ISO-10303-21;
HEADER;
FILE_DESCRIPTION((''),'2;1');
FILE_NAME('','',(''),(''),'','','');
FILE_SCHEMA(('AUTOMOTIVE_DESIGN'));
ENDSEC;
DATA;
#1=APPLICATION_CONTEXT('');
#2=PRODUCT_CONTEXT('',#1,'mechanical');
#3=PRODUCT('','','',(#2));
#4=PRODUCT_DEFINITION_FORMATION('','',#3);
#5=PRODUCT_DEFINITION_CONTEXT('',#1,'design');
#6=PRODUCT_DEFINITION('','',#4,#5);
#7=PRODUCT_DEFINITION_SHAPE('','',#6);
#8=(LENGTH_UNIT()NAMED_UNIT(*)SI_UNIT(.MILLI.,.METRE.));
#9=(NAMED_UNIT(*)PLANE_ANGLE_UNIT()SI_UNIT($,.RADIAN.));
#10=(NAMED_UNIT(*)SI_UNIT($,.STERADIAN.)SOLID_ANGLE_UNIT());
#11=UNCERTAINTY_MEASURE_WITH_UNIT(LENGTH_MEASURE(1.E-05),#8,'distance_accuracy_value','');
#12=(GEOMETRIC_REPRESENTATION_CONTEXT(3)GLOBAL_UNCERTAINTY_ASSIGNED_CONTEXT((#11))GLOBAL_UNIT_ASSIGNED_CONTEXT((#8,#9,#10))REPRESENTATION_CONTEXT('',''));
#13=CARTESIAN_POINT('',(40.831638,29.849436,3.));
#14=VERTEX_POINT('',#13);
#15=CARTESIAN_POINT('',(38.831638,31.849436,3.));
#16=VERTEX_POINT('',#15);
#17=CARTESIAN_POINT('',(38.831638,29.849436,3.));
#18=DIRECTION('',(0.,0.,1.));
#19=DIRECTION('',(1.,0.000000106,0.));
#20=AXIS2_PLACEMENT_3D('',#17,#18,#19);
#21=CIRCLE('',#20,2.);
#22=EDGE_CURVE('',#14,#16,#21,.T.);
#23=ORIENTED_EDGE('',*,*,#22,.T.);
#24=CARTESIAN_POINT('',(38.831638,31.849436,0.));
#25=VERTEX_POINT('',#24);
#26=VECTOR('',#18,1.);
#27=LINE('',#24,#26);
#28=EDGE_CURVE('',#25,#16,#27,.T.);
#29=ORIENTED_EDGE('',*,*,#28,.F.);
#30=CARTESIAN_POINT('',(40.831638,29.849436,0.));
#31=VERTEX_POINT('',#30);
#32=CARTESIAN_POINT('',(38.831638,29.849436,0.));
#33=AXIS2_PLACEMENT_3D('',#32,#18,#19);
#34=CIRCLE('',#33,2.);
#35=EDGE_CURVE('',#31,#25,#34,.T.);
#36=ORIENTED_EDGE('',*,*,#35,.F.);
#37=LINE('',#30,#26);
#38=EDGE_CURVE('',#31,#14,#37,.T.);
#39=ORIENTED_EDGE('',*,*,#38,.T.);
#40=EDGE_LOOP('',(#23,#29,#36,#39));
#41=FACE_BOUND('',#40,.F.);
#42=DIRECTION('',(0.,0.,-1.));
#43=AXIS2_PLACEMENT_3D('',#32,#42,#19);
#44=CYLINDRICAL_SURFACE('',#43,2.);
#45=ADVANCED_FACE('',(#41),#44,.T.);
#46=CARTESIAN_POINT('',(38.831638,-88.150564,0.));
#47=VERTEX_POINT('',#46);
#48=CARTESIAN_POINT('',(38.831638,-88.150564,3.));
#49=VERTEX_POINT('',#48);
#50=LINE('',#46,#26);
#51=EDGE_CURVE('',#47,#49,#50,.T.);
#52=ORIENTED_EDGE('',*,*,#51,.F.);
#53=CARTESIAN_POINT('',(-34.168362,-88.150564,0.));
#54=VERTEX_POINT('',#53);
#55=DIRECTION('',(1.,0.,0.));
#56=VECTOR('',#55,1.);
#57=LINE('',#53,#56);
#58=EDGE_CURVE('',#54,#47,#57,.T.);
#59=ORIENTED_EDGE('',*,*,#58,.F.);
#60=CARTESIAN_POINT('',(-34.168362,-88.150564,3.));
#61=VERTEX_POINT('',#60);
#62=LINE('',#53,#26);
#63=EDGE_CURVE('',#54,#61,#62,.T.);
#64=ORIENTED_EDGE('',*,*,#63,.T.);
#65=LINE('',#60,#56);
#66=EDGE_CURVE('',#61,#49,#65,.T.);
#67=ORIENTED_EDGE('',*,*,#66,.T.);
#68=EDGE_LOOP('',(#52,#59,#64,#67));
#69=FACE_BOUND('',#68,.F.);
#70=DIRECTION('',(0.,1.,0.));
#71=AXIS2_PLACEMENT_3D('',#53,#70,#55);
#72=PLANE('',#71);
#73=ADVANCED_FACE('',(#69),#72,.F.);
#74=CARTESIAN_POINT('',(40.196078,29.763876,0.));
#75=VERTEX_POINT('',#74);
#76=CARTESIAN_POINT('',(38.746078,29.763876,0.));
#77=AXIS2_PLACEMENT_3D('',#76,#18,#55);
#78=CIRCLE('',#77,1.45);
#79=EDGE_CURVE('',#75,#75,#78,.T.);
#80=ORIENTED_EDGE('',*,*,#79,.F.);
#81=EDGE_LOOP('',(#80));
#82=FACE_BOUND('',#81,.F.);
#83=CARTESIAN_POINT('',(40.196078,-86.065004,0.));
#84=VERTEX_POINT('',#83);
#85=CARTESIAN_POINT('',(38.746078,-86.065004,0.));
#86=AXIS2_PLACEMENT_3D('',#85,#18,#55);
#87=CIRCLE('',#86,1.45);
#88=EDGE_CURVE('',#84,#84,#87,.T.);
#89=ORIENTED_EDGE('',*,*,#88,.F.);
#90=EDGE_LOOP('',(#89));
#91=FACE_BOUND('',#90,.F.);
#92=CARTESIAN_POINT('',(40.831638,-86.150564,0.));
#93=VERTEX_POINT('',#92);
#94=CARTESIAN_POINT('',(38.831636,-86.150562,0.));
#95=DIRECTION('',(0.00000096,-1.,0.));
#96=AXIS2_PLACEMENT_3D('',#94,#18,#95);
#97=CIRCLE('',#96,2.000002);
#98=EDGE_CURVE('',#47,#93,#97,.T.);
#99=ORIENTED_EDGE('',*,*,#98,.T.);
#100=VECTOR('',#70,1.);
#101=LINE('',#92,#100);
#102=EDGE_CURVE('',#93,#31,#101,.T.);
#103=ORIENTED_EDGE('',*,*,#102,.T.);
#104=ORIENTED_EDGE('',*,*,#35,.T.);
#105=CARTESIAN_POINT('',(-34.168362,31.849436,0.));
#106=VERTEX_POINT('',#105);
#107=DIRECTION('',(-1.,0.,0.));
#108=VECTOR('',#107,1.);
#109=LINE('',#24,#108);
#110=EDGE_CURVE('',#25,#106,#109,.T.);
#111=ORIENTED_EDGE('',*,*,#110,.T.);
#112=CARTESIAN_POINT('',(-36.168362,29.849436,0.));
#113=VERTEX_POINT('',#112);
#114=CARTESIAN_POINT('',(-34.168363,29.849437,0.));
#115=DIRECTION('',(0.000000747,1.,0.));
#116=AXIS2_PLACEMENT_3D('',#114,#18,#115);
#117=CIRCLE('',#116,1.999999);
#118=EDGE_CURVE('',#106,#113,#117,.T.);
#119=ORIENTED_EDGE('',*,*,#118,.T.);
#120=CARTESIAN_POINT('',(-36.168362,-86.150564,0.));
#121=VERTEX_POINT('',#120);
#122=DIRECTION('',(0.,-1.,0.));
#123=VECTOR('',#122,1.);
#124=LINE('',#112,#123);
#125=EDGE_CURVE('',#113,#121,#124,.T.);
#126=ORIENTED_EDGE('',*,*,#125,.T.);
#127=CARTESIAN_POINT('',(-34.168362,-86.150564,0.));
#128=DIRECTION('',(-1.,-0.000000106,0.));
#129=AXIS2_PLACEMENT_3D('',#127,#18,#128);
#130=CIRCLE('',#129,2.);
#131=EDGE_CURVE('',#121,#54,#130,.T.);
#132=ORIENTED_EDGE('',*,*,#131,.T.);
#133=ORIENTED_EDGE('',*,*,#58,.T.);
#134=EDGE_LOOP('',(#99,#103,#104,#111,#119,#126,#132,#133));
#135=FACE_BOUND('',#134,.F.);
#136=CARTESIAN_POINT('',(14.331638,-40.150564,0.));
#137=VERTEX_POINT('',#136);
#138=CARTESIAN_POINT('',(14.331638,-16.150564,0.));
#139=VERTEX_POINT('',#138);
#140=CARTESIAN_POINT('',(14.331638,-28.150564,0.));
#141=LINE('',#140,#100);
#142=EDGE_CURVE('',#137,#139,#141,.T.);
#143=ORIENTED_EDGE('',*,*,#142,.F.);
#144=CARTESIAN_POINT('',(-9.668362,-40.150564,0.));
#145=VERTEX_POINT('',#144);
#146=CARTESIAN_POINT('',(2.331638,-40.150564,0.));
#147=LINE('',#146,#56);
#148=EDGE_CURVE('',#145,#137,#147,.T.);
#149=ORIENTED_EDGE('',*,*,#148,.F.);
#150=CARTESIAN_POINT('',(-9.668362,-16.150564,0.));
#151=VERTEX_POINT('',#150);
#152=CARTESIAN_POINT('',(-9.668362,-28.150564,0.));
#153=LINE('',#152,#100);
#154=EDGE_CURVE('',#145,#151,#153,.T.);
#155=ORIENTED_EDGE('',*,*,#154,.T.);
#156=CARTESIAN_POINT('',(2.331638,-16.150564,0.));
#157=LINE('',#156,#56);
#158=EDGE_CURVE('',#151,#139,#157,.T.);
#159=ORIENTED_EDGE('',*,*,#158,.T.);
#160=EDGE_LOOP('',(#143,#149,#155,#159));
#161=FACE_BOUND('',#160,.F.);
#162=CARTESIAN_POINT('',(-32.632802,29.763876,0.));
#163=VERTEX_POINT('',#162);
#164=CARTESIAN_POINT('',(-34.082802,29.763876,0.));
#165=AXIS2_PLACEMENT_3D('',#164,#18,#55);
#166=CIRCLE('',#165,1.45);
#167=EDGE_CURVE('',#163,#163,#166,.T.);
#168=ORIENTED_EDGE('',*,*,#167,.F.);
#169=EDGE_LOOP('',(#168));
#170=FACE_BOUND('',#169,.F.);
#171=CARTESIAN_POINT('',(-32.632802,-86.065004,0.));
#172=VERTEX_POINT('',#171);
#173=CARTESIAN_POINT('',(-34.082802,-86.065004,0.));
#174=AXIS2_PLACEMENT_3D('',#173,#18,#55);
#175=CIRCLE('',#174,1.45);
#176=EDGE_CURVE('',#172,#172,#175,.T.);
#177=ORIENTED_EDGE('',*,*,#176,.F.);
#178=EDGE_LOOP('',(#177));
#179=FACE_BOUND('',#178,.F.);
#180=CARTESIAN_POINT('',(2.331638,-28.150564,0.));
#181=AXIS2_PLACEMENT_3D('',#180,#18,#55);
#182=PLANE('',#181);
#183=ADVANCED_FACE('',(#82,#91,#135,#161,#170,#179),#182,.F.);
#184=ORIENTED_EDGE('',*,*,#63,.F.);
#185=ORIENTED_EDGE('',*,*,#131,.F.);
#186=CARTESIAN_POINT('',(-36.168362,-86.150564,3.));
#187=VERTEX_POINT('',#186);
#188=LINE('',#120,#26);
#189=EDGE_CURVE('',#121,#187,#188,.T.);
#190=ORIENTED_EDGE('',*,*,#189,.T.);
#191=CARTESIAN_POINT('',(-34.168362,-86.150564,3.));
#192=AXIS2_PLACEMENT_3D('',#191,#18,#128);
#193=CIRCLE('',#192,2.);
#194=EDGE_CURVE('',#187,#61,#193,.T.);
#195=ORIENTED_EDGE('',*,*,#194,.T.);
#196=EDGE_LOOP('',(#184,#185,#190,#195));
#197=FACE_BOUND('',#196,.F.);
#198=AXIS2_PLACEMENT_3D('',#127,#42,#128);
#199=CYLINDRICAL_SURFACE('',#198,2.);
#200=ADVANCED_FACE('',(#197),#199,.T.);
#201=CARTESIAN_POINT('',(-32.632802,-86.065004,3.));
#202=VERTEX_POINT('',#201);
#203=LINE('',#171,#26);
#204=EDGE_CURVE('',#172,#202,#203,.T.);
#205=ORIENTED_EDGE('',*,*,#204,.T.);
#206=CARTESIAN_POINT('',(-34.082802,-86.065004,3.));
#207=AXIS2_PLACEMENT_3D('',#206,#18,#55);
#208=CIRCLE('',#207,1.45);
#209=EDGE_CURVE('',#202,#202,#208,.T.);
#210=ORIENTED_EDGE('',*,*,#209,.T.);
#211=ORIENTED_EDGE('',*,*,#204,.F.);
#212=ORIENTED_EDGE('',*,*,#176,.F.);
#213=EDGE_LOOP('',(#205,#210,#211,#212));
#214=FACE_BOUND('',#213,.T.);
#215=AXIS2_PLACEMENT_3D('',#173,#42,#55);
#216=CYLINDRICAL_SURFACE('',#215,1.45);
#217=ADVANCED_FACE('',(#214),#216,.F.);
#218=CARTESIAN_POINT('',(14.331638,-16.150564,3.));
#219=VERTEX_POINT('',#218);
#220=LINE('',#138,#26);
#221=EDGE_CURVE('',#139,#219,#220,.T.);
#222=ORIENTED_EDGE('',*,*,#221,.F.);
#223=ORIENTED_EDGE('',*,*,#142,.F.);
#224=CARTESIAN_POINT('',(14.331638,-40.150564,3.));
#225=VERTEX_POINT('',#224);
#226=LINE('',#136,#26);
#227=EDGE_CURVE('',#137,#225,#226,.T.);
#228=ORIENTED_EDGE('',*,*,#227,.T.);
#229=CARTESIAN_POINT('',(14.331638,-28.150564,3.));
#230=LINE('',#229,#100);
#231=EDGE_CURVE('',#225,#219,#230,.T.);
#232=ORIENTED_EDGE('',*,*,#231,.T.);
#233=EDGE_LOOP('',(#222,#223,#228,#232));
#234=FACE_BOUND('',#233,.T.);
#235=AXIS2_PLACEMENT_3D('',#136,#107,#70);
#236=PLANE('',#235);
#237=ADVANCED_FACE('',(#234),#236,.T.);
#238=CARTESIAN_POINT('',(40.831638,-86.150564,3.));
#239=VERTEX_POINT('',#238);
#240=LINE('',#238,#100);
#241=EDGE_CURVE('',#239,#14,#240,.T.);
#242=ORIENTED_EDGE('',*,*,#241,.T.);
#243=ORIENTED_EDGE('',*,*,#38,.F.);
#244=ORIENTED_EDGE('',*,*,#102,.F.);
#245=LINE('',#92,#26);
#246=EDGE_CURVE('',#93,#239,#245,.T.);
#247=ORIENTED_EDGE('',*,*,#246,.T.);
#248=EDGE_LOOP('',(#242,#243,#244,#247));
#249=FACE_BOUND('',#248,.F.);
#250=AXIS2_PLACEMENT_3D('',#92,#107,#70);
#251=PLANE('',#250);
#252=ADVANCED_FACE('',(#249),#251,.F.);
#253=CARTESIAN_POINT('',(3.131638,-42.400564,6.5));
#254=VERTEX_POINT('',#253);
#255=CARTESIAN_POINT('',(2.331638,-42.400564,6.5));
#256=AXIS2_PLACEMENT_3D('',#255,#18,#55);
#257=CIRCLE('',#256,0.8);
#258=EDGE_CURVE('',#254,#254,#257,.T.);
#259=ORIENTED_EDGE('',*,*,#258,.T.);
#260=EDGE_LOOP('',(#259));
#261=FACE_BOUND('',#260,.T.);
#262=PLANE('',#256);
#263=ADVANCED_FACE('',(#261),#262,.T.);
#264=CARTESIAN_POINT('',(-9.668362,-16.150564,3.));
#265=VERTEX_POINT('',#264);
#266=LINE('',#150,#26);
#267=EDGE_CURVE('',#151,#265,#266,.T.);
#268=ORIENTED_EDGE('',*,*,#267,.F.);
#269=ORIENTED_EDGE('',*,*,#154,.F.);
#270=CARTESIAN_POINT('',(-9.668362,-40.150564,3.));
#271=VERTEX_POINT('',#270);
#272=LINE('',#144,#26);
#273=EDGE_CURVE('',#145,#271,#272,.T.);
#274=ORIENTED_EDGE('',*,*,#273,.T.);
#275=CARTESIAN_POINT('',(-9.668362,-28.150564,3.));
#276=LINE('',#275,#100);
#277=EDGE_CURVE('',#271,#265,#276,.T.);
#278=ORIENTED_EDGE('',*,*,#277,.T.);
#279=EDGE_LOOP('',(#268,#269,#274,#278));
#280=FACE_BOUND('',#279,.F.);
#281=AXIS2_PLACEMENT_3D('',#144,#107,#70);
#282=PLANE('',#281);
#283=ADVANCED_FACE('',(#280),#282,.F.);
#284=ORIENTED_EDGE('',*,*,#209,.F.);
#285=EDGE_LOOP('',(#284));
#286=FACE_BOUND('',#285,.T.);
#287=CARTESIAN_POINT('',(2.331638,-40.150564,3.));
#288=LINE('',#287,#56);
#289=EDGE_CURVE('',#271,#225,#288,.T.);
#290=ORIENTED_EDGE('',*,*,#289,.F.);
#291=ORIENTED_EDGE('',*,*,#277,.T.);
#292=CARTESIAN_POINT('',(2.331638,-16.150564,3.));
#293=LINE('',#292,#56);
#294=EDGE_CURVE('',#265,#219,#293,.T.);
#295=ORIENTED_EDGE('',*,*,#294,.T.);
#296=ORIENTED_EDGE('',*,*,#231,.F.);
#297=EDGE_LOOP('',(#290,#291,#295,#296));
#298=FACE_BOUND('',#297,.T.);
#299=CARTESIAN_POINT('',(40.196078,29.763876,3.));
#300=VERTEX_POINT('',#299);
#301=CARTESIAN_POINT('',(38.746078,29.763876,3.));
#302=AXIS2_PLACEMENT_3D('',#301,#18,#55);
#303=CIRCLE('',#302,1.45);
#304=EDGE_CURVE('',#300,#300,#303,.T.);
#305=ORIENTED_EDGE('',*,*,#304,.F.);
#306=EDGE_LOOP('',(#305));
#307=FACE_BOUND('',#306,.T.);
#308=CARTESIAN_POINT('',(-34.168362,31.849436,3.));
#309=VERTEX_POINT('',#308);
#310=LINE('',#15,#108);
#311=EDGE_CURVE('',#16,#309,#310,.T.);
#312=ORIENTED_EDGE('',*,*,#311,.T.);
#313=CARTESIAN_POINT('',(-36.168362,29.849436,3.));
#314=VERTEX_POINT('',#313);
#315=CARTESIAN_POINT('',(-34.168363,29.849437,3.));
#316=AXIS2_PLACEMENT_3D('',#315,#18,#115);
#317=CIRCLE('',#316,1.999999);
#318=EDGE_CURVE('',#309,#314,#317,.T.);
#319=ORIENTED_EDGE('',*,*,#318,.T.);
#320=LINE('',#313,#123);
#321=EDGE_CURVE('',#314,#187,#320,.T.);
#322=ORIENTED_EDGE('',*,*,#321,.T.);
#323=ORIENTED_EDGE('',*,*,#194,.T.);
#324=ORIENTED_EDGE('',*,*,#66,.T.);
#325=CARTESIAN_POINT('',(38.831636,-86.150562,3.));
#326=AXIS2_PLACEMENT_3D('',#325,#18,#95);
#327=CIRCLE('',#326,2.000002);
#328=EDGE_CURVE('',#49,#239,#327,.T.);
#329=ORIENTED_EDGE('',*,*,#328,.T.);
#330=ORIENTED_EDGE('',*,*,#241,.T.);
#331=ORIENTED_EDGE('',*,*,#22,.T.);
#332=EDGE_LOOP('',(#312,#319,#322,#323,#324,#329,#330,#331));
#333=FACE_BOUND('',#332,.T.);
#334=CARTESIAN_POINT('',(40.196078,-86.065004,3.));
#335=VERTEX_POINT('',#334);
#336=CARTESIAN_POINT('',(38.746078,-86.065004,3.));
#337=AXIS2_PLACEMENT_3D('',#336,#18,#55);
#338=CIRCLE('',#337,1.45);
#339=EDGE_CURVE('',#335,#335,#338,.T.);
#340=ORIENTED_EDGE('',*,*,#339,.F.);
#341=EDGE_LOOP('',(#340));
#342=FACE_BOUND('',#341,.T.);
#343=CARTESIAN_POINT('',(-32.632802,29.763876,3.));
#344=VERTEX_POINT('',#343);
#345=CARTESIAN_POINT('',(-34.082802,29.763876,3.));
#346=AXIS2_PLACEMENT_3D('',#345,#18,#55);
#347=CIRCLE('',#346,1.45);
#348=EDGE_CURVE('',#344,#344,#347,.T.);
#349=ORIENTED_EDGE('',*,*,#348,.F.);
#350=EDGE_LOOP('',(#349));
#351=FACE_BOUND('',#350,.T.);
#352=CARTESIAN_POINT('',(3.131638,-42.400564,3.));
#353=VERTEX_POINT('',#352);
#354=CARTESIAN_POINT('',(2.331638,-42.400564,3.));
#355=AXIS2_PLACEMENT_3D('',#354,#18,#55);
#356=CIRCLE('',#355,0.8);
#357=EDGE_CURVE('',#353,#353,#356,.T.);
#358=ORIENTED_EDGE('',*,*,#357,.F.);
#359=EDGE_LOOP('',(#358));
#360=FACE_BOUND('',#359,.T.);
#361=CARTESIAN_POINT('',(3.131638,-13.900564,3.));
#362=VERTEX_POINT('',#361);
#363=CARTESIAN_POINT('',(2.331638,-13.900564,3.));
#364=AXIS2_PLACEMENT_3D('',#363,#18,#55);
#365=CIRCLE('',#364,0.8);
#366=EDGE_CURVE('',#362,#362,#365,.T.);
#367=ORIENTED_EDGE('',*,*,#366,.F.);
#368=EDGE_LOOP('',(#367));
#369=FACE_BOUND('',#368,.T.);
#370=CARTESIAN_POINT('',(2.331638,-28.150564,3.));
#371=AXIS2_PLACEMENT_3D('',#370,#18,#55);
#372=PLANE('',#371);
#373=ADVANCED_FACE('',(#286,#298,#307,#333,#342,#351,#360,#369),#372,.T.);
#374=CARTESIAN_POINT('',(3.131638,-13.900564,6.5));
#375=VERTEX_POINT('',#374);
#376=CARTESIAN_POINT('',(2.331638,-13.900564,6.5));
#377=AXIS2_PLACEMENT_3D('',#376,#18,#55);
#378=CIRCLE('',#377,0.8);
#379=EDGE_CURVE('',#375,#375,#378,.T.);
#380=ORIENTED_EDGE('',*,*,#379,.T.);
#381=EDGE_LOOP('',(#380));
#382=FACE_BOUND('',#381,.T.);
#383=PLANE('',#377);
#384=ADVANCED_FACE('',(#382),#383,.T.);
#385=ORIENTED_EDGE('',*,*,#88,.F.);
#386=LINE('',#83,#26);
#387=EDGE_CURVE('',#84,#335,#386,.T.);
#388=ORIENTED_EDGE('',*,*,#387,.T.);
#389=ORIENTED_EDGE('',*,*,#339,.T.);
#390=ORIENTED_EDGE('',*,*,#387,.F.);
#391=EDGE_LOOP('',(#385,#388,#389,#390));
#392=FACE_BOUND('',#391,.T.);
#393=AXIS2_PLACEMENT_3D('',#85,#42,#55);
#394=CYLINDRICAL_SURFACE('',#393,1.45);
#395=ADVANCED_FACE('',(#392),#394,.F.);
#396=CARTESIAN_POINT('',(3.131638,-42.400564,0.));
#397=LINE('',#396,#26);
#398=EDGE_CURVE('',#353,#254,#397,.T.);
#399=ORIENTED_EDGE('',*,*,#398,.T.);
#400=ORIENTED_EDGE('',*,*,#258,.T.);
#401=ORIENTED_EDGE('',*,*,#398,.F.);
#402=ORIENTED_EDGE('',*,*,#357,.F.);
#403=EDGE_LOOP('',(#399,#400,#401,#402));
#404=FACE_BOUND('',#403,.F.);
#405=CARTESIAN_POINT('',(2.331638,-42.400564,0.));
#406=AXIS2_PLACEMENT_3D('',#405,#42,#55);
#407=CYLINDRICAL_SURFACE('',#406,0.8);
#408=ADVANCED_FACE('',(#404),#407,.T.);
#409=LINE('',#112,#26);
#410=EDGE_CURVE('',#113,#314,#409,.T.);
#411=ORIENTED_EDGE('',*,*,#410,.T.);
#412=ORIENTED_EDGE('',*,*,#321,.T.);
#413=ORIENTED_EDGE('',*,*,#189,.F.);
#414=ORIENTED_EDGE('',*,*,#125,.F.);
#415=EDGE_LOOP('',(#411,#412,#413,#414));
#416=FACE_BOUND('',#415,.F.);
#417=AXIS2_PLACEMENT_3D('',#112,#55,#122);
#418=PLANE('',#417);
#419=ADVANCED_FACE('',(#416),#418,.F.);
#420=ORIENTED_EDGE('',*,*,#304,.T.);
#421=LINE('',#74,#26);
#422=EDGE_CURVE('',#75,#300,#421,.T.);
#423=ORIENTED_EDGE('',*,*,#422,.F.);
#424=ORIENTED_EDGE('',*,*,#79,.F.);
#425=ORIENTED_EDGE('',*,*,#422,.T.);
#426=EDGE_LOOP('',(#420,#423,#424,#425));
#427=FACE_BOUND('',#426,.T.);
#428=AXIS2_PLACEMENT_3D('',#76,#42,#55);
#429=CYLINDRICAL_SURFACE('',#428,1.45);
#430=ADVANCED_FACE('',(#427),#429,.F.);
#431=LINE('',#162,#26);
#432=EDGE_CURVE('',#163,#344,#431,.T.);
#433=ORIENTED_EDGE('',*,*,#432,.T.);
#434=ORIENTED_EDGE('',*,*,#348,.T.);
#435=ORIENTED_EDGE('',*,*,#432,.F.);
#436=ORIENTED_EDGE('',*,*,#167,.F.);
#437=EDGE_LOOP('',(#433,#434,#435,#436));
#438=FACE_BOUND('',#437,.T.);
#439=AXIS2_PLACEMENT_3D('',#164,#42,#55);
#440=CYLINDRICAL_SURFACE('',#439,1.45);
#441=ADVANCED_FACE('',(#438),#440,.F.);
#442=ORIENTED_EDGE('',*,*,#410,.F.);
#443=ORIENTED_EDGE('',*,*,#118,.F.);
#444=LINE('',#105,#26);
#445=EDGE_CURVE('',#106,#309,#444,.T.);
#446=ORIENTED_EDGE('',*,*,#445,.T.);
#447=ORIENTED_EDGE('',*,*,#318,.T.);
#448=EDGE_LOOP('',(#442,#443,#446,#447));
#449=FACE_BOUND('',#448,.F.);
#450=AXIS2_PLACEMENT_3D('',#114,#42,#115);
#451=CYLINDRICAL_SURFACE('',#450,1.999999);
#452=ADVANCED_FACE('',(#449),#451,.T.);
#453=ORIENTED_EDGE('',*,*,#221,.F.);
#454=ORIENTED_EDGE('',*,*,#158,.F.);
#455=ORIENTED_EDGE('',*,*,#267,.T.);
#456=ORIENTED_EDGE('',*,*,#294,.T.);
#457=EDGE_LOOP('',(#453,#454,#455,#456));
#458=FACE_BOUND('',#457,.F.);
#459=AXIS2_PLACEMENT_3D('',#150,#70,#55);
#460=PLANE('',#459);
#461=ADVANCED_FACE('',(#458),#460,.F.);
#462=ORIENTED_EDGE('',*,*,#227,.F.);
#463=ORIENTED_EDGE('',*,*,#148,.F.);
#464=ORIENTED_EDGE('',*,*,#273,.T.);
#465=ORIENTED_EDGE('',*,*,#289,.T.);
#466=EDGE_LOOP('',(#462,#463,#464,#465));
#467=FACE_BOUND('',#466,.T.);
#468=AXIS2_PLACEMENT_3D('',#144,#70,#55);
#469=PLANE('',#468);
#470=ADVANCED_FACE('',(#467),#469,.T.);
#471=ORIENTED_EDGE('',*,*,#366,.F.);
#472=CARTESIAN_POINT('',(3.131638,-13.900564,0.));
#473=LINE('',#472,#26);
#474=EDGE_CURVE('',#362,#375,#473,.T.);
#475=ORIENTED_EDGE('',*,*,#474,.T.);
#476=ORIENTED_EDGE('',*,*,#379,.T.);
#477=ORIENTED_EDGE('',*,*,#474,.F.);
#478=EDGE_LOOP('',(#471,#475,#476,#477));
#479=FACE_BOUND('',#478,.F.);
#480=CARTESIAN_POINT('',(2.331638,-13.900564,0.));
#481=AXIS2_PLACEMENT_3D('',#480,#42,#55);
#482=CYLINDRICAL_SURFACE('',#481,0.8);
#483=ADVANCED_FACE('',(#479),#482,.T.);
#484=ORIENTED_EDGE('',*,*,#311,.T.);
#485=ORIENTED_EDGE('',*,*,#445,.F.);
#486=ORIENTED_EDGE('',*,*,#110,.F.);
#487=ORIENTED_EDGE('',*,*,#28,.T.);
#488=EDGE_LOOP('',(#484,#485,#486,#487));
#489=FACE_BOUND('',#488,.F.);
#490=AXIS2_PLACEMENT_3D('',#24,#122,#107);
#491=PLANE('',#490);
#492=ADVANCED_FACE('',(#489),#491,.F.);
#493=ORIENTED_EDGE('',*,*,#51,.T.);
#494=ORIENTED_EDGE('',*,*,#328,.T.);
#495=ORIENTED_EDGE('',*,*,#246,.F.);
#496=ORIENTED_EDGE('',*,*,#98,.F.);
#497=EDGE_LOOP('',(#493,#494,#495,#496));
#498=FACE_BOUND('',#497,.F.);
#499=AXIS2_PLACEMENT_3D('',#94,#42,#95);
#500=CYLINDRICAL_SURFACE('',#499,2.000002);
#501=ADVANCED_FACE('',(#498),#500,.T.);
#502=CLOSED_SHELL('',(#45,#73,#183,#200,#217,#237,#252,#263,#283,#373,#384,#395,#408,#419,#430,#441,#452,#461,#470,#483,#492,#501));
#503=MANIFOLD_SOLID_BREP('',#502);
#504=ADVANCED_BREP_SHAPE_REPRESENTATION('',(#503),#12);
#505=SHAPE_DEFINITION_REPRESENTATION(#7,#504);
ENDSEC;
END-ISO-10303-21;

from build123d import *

# Parameters (mm, degrees)
F0_R     = 1.45
F0_W     = 24
F0_H     = 24
F0_R_2   = 0.8
F1_DEPTH = 3
F2_DEPTH = 6.5


with BuildPart() as f1:
    # F0 (on Top) → F1 (new body)
    with BuildSketch(Plane.XY):
        with BuildLine():
            Line((2.331638, 31.849436), (-34.168362, 31.849436))
            ThreePointArc((-34.168362, 31.849436), (-35.582576, 31.26365), (-36.168362, 29.849436))
            Line((-36.168362, 29.849436), (-36.168362, -28.150564))
            Line((-36.168362, -28.150564), (-36.168362, -86.150564))
            ThreePointArc((-36.168362, -86.150564), (-35.582576, -87.564777), (-34.168362, -88.150564))
            Line((-34.168362, -88.150564), (38.831638, -88.150564))
            ThreePointArc((38.831638, -88.150564), (40.245851, -87.564777), (40.831638, -86.150564))
            Line((40.831638, -86.150564), (40.831638, 29.849436))
            ThreePointArc((40.831638, 29.849436), (40.245851, 31.26365), (38.831638, 31.849436))
            Line((38.831638, 31.849436), (2.331638, 31.849436))
        make_face()
        with Locations((-34.082802, -86.065004)):
            Circle(F0_R, mode=Mode.SUBTRACT)
        with Locations((2.331638, -28.150564)):
            Rectangle(F0_W, F0_H, mode=Mode.SUBTRACT)
        with Locations((38.746078, -86.065004)):
            Circle(F0_R, mode=Mode.SUBTRACT)
        with Locations((2.331638, -42.400564)):
            Circle(F0_R_2, mode=Mode.SUBTRACT)
        with Locations((-34.082802, 29.763876)):
            Circle(F0_R, mode=Mode.SUBTRACT)
        with Locations((2.331638, -13.900564)):
            Circle(F0_R_2, mode=Mode.SUBTRACT)
        with Locations((38.746078, 29.763876)):
            Circle(F0_R, mode=Mode.SUBTRACT)
    extrude(amount=F1_DEPTH)

    # F0 (on Top) → F2 (join)
    with BuildSketch(Plane.XY):
        with Locations((2.331638, -13.900564)):
            Circle(F0_R_2)
        with Locations((2.331638, -42.400564)):
            Circle(F0_R_2)
    extrude(amount=F2_DEPTH)


solid = f1.part
